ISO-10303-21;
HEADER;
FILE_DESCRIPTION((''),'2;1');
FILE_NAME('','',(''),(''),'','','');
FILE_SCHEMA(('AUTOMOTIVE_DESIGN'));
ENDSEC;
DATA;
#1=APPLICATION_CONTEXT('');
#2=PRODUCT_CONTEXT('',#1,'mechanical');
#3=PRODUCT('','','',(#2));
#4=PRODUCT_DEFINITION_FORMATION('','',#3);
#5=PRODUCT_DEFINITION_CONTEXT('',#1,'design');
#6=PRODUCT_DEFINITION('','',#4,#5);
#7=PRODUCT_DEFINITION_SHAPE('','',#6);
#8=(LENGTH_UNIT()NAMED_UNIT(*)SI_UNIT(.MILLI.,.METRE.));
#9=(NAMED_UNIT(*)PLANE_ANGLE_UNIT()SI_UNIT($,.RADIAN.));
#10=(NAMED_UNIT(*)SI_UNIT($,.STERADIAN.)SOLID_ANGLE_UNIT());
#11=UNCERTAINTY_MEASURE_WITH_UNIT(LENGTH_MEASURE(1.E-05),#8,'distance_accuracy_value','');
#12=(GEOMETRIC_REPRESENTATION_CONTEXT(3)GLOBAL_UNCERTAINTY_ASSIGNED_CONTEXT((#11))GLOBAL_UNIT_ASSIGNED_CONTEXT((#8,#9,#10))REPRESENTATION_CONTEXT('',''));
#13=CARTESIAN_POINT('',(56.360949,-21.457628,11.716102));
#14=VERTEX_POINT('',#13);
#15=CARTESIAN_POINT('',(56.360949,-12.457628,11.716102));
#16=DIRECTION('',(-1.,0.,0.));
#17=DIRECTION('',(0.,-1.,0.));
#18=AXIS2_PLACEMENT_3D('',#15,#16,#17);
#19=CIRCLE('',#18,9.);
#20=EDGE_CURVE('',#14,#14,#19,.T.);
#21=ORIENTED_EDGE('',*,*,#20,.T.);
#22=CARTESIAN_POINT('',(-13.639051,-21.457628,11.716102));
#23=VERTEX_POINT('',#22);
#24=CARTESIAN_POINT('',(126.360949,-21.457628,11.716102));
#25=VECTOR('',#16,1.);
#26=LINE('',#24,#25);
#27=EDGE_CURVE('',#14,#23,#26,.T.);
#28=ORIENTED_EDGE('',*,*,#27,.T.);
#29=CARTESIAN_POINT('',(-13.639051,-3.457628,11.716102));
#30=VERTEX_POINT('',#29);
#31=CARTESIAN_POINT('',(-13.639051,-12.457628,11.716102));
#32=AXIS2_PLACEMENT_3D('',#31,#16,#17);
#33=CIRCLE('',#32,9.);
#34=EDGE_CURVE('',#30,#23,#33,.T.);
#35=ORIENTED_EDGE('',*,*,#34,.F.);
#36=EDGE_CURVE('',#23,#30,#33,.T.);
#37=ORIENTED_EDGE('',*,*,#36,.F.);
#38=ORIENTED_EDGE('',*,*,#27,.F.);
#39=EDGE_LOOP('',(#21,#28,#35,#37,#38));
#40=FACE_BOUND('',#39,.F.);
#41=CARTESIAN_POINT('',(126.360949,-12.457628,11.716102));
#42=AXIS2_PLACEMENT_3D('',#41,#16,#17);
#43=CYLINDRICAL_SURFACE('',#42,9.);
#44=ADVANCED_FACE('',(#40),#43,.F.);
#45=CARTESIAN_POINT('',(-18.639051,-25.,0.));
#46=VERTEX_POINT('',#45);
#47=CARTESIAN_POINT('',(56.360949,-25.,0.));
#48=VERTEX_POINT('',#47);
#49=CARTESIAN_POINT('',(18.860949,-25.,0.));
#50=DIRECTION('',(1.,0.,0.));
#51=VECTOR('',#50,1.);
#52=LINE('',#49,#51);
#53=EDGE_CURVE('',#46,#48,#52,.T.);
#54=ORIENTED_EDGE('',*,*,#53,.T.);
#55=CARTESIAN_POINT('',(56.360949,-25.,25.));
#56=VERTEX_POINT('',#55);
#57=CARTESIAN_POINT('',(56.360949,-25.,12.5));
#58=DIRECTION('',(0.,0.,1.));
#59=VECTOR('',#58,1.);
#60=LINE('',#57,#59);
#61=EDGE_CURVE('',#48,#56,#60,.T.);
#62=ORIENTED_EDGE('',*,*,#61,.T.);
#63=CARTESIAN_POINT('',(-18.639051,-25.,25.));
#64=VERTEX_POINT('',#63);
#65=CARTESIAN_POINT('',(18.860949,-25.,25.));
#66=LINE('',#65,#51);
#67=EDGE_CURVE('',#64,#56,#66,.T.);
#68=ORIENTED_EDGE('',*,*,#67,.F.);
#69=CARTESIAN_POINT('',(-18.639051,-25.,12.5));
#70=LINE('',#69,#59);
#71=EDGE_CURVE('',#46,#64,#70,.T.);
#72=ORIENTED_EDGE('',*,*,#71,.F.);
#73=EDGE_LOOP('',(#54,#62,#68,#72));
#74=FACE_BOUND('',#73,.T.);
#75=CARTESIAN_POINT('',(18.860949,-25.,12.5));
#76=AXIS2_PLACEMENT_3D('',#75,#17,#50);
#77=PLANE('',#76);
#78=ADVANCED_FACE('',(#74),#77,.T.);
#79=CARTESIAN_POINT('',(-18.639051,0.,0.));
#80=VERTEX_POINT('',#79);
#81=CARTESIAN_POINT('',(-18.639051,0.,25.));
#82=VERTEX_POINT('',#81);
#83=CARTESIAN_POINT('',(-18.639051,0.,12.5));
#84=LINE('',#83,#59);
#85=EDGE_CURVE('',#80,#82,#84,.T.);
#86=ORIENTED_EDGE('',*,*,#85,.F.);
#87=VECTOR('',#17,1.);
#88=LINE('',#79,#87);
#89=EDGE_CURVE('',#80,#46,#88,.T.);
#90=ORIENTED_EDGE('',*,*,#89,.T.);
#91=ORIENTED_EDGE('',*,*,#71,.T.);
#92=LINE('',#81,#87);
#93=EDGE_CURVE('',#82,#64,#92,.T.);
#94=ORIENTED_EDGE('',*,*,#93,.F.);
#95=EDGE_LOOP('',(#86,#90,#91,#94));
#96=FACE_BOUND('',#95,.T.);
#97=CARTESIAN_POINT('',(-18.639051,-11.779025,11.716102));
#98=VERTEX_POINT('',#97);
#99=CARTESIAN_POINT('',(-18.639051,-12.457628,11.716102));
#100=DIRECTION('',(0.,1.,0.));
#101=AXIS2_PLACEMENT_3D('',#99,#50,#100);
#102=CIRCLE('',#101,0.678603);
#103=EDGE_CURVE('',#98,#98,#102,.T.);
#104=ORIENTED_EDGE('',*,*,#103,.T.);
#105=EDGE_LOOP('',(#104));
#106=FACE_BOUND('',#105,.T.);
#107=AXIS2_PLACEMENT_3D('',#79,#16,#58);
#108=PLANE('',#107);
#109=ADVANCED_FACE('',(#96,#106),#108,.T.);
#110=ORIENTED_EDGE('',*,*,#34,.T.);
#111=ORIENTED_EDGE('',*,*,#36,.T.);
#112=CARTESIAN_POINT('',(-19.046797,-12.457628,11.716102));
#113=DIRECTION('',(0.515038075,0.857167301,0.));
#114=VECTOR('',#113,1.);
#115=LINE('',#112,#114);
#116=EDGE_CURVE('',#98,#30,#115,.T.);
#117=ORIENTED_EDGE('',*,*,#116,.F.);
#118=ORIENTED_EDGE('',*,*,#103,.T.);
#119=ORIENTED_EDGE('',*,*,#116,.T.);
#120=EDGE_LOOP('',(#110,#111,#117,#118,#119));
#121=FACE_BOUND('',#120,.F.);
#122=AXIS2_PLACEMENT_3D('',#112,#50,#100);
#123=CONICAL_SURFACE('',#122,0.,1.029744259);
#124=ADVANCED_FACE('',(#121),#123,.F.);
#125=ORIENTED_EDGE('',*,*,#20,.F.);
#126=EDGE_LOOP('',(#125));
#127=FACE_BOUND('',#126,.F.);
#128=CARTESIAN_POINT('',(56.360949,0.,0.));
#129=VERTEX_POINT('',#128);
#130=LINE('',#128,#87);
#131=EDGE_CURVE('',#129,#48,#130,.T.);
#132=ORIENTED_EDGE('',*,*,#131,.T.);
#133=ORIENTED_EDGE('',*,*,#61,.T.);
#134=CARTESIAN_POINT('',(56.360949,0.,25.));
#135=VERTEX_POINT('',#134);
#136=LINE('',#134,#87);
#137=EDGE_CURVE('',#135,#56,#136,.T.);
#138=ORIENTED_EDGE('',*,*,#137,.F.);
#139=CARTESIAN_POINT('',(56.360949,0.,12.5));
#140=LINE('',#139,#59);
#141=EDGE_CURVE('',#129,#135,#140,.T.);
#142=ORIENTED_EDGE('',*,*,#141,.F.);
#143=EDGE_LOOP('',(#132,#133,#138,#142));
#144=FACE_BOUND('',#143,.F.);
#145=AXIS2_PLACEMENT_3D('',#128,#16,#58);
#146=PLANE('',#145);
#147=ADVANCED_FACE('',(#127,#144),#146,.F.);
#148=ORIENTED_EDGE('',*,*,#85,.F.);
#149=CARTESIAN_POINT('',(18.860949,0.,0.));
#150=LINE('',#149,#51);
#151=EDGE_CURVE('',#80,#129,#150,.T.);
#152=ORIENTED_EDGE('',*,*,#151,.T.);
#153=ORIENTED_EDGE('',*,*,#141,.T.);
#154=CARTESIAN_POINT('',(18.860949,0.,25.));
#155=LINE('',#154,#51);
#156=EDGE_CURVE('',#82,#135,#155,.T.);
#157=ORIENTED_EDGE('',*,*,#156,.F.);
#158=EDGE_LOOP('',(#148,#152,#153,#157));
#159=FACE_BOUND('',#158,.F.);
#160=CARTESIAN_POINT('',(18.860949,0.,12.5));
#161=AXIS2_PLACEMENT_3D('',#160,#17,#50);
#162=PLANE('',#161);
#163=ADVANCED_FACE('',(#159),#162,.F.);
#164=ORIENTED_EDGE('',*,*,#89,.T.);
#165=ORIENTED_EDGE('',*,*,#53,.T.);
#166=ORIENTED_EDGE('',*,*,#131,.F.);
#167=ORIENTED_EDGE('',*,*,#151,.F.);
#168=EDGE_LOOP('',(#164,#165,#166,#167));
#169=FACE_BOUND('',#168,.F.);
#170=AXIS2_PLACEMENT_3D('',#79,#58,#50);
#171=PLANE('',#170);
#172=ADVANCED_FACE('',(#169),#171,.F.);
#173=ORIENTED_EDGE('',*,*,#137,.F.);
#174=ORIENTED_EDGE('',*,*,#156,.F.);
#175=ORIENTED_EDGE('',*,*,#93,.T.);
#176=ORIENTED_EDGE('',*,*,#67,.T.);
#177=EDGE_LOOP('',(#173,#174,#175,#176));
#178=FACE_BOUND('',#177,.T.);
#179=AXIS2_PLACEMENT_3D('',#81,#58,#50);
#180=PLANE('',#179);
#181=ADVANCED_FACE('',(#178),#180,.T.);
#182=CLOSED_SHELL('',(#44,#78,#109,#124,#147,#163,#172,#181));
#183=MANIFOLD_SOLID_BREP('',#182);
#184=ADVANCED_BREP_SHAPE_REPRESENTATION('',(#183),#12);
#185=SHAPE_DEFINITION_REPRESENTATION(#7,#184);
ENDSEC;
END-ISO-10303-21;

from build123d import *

# Parameters (mm, degrees)
F0_W     = 75
F0_H     = 25
F1_DEPTH = 25
F3_D     = 18
F3_DEPTH = 70
F3_TIP   = 5.4077455712


with BuildPart() as f1:
    # F0 (on Front) → F1 (new body)
    with BuildSketch(Plane.XZ):
        with Locations((18.8609485001, 12.5)):
            Rectangle(F0_W, F0_H)
    extrude(amount=F1_DEPTH)

    # F3
    with Locations(Plane.YZ.offset(56.3609485001)):
        with Locations((-12.4576278031, 11.7161022499)):
            Hole(F3_D / 2, depth=F3_DEPTH)
            with Locations((0, 0, -(F3_DEPTH + F3_TIP / 2))):  # 118° drill point
                Cone(0, F3_D / 2, F3_TIP, mode=Mode.SUBTRACT)


solid = f1.part
